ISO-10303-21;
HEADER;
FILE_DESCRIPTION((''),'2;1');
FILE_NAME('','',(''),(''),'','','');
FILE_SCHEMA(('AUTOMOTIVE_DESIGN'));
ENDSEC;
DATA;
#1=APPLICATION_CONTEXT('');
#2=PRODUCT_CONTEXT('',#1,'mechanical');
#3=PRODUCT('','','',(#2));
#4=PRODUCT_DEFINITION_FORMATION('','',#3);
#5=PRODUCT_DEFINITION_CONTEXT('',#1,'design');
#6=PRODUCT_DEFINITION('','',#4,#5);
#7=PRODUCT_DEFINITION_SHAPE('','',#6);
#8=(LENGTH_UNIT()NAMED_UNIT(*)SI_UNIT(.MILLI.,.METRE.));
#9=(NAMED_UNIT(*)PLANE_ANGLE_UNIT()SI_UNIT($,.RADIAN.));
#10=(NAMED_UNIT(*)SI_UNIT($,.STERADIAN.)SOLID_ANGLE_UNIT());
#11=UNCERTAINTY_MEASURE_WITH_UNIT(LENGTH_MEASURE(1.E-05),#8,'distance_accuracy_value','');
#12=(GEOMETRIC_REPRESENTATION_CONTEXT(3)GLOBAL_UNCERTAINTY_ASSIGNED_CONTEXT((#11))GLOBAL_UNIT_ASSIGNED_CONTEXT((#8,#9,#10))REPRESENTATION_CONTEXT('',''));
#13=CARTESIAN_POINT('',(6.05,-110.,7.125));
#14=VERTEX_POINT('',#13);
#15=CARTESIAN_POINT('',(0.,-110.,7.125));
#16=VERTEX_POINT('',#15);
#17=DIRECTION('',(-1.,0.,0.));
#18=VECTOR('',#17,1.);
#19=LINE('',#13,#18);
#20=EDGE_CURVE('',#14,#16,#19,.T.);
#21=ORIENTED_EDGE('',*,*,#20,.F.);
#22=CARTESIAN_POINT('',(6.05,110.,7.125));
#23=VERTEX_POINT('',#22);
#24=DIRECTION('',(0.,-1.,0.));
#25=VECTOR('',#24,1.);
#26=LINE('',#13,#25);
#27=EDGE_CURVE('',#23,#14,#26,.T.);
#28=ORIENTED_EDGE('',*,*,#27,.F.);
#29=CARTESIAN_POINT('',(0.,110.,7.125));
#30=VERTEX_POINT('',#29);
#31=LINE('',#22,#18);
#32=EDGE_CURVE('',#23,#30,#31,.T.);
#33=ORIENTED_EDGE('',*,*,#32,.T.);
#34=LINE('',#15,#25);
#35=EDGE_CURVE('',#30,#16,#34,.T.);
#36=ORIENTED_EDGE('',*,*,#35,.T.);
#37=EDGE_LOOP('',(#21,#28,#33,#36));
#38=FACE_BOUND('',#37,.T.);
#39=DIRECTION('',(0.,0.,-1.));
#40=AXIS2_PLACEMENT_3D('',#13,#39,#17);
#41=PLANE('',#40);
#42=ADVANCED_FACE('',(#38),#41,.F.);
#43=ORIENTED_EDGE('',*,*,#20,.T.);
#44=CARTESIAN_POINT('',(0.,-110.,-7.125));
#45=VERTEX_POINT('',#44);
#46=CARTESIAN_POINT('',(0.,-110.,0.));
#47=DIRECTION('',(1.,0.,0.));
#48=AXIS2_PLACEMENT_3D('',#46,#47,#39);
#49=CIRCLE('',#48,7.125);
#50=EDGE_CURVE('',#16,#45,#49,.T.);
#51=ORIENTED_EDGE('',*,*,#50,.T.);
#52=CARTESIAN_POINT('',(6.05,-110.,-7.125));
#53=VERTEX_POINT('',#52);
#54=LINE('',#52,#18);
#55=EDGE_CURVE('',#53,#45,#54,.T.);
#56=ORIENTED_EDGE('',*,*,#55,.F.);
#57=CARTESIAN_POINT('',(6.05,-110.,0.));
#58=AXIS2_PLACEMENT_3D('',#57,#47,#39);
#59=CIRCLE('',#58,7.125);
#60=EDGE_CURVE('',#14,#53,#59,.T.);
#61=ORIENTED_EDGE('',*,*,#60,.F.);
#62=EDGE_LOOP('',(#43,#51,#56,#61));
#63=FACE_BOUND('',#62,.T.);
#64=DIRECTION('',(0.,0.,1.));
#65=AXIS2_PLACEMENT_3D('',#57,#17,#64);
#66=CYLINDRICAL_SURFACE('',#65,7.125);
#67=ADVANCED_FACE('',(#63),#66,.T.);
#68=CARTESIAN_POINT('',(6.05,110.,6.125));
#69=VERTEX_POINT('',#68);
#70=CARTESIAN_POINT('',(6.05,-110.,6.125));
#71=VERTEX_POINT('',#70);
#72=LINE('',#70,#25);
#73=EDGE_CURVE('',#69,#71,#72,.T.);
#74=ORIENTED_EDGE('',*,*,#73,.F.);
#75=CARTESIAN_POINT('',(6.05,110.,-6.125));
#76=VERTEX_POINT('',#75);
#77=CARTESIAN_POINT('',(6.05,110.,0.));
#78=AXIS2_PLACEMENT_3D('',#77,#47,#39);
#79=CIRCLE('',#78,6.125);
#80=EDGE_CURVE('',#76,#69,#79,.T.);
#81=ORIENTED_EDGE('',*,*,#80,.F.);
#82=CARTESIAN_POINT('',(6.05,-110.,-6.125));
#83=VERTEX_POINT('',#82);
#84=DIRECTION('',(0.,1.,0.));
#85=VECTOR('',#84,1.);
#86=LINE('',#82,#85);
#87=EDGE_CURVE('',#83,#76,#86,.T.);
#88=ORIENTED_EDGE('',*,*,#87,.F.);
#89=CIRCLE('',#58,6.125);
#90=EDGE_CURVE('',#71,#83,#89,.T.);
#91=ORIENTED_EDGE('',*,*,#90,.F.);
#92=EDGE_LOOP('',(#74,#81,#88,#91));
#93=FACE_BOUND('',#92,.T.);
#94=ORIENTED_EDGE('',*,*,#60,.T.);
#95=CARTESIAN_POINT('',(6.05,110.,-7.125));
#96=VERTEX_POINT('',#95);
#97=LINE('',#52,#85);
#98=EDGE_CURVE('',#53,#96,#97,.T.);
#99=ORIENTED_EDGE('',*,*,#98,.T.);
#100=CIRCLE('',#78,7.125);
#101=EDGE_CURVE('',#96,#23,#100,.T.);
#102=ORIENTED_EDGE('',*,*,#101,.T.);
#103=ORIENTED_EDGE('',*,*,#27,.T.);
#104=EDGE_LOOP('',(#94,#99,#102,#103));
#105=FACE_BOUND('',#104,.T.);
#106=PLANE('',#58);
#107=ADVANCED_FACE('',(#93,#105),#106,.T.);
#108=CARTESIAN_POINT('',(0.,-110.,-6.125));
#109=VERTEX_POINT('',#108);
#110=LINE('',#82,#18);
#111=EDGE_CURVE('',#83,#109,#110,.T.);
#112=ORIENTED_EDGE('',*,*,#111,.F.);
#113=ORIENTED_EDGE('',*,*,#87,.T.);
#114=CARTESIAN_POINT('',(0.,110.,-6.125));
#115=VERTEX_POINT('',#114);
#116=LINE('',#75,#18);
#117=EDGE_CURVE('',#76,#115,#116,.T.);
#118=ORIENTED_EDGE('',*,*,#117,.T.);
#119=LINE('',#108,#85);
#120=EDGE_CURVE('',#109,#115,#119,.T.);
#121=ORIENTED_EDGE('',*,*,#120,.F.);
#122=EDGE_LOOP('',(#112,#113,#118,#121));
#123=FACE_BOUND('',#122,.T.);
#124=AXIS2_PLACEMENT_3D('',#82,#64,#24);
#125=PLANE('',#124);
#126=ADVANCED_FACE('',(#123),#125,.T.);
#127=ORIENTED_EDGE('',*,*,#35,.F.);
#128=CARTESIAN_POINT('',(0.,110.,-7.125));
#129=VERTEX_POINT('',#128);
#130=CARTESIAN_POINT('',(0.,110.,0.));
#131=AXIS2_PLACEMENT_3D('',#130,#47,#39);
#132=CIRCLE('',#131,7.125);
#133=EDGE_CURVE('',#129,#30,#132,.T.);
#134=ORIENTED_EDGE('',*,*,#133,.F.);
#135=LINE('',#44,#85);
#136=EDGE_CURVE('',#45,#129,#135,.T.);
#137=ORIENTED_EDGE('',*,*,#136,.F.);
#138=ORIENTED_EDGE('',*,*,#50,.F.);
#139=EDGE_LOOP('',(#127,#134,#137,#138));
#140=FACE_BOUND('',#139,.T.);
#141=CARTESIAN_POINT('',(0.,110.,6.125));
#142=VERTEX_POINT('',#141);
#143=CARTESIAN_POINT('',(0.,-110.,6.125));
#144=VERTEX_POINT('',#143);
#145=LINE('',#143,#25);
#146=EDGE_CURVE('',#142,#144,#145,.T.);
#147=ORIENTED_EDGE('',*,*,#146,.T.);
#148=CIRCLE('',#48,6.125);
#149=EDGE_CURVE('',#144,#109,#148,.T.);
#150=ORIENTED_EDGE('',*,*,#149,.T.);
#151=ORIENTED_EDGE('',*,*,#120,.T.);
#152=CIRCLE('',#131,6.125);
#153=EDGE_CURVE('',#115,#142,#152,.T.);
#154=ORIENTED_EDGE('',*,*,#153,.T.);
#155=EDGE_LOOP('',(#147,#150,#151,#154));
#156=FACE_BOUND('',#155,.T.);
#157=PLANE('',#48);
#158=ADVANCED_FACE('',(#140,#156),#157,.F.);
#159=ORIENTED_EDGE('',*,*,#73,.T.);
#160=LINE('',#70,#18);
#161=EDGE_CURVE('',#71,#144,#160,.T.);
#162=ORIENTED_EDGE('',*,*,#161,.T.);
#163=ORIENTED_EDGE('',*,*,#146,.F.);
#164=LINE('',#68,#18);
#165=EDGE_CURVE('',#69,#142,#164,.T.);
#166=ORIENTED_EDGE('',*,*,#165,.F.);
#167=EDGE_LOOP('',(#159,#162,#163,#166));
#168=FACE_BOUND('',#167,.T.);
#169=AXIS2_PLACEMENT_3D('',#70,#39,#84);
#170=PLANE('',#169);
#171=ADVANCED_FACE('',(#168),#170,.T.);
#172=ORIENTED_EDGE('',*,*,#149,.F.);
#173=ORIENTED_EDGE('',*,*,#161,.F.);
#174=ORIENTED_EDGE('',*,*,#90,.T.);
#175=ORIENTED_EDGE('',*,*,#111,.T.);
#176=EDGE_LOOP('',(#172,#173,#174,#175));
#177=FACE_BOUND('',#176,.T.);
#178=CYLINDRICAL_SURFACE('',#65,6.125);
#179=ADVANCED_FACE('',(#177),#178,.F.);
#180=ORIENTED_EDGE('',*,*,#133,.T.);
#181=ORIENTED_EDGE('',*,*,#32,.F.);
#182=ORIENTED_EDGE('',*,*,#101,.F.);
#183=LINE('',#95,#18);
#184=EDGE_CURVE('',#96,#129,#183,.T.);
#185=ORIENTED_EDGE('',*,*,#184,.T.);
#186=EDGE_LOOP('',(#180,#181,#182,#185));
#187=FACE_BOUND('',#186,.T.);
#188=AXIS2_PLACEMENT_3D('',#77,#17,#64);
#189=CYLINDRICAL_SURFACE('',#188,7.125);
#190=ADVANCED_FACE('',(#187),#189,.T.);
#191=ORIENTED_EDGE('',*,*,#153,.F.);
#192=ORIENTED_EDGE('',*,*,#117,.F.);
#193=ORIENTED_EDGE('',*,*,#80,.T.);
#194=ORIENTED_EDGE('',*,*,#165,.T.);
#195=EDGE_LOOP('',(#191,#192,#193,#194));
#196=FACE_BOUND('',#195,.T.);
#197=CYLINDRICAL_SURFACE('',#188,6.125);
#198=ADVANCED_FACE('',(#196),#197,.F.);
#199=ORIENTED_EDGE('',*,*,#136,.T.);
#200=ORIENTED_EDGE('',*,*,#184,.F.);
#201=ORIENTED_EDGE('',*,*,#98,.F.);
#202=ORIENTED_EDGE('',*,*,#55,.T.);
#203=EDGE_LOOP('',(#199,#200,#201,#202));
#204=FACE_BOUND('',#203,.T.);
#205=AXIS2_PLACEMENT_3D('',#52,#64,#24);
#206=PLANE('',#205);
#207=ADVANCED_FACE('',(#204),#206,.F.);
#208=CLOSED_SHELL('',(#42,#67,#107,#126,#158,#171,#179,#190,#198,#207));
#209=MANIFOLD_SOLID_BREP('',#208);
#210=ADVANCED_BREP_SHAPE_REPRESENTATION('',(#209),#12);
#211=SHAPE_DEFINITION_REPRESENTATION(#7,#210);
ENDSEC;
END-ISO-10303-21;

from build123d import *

# Parameters (mm, degrees)
BOSS_EXTRUDE1_DEPTH = 6.05


with BuildPart() as part:
    # Sketch1 → Boss-Extrude1 (new body)
    with BuildSketch(Plane.YZ):
        with BuildLine():
            Line((-110, 7.125), (110, 7.125))
            ThreePointArc((110, 7.125), (117.125, 0), (110, -7.125))
            Line((110, -7.125), (-110, -7.125))
            ThreePointArc((-110, -7.125), (-117.125, 0), (-110, 7.125))
        make_face()
        with BuildLine():
            Line((-110, 6.125), (110, 6.125))
            ThreePointArc((110, 6.125), (116.125, 0), (110, -6.125))
            Line((110, -6.125), (-110, -6.125))
            ThreePointArc((-110, -6.125), (-116.125, 0), (-110, 6.125))
        make_face(mode=Mode.SUBTRACT)
    extrude(amount=BOSS_EXTRUDE1_DEPTH)


solid = part.part
